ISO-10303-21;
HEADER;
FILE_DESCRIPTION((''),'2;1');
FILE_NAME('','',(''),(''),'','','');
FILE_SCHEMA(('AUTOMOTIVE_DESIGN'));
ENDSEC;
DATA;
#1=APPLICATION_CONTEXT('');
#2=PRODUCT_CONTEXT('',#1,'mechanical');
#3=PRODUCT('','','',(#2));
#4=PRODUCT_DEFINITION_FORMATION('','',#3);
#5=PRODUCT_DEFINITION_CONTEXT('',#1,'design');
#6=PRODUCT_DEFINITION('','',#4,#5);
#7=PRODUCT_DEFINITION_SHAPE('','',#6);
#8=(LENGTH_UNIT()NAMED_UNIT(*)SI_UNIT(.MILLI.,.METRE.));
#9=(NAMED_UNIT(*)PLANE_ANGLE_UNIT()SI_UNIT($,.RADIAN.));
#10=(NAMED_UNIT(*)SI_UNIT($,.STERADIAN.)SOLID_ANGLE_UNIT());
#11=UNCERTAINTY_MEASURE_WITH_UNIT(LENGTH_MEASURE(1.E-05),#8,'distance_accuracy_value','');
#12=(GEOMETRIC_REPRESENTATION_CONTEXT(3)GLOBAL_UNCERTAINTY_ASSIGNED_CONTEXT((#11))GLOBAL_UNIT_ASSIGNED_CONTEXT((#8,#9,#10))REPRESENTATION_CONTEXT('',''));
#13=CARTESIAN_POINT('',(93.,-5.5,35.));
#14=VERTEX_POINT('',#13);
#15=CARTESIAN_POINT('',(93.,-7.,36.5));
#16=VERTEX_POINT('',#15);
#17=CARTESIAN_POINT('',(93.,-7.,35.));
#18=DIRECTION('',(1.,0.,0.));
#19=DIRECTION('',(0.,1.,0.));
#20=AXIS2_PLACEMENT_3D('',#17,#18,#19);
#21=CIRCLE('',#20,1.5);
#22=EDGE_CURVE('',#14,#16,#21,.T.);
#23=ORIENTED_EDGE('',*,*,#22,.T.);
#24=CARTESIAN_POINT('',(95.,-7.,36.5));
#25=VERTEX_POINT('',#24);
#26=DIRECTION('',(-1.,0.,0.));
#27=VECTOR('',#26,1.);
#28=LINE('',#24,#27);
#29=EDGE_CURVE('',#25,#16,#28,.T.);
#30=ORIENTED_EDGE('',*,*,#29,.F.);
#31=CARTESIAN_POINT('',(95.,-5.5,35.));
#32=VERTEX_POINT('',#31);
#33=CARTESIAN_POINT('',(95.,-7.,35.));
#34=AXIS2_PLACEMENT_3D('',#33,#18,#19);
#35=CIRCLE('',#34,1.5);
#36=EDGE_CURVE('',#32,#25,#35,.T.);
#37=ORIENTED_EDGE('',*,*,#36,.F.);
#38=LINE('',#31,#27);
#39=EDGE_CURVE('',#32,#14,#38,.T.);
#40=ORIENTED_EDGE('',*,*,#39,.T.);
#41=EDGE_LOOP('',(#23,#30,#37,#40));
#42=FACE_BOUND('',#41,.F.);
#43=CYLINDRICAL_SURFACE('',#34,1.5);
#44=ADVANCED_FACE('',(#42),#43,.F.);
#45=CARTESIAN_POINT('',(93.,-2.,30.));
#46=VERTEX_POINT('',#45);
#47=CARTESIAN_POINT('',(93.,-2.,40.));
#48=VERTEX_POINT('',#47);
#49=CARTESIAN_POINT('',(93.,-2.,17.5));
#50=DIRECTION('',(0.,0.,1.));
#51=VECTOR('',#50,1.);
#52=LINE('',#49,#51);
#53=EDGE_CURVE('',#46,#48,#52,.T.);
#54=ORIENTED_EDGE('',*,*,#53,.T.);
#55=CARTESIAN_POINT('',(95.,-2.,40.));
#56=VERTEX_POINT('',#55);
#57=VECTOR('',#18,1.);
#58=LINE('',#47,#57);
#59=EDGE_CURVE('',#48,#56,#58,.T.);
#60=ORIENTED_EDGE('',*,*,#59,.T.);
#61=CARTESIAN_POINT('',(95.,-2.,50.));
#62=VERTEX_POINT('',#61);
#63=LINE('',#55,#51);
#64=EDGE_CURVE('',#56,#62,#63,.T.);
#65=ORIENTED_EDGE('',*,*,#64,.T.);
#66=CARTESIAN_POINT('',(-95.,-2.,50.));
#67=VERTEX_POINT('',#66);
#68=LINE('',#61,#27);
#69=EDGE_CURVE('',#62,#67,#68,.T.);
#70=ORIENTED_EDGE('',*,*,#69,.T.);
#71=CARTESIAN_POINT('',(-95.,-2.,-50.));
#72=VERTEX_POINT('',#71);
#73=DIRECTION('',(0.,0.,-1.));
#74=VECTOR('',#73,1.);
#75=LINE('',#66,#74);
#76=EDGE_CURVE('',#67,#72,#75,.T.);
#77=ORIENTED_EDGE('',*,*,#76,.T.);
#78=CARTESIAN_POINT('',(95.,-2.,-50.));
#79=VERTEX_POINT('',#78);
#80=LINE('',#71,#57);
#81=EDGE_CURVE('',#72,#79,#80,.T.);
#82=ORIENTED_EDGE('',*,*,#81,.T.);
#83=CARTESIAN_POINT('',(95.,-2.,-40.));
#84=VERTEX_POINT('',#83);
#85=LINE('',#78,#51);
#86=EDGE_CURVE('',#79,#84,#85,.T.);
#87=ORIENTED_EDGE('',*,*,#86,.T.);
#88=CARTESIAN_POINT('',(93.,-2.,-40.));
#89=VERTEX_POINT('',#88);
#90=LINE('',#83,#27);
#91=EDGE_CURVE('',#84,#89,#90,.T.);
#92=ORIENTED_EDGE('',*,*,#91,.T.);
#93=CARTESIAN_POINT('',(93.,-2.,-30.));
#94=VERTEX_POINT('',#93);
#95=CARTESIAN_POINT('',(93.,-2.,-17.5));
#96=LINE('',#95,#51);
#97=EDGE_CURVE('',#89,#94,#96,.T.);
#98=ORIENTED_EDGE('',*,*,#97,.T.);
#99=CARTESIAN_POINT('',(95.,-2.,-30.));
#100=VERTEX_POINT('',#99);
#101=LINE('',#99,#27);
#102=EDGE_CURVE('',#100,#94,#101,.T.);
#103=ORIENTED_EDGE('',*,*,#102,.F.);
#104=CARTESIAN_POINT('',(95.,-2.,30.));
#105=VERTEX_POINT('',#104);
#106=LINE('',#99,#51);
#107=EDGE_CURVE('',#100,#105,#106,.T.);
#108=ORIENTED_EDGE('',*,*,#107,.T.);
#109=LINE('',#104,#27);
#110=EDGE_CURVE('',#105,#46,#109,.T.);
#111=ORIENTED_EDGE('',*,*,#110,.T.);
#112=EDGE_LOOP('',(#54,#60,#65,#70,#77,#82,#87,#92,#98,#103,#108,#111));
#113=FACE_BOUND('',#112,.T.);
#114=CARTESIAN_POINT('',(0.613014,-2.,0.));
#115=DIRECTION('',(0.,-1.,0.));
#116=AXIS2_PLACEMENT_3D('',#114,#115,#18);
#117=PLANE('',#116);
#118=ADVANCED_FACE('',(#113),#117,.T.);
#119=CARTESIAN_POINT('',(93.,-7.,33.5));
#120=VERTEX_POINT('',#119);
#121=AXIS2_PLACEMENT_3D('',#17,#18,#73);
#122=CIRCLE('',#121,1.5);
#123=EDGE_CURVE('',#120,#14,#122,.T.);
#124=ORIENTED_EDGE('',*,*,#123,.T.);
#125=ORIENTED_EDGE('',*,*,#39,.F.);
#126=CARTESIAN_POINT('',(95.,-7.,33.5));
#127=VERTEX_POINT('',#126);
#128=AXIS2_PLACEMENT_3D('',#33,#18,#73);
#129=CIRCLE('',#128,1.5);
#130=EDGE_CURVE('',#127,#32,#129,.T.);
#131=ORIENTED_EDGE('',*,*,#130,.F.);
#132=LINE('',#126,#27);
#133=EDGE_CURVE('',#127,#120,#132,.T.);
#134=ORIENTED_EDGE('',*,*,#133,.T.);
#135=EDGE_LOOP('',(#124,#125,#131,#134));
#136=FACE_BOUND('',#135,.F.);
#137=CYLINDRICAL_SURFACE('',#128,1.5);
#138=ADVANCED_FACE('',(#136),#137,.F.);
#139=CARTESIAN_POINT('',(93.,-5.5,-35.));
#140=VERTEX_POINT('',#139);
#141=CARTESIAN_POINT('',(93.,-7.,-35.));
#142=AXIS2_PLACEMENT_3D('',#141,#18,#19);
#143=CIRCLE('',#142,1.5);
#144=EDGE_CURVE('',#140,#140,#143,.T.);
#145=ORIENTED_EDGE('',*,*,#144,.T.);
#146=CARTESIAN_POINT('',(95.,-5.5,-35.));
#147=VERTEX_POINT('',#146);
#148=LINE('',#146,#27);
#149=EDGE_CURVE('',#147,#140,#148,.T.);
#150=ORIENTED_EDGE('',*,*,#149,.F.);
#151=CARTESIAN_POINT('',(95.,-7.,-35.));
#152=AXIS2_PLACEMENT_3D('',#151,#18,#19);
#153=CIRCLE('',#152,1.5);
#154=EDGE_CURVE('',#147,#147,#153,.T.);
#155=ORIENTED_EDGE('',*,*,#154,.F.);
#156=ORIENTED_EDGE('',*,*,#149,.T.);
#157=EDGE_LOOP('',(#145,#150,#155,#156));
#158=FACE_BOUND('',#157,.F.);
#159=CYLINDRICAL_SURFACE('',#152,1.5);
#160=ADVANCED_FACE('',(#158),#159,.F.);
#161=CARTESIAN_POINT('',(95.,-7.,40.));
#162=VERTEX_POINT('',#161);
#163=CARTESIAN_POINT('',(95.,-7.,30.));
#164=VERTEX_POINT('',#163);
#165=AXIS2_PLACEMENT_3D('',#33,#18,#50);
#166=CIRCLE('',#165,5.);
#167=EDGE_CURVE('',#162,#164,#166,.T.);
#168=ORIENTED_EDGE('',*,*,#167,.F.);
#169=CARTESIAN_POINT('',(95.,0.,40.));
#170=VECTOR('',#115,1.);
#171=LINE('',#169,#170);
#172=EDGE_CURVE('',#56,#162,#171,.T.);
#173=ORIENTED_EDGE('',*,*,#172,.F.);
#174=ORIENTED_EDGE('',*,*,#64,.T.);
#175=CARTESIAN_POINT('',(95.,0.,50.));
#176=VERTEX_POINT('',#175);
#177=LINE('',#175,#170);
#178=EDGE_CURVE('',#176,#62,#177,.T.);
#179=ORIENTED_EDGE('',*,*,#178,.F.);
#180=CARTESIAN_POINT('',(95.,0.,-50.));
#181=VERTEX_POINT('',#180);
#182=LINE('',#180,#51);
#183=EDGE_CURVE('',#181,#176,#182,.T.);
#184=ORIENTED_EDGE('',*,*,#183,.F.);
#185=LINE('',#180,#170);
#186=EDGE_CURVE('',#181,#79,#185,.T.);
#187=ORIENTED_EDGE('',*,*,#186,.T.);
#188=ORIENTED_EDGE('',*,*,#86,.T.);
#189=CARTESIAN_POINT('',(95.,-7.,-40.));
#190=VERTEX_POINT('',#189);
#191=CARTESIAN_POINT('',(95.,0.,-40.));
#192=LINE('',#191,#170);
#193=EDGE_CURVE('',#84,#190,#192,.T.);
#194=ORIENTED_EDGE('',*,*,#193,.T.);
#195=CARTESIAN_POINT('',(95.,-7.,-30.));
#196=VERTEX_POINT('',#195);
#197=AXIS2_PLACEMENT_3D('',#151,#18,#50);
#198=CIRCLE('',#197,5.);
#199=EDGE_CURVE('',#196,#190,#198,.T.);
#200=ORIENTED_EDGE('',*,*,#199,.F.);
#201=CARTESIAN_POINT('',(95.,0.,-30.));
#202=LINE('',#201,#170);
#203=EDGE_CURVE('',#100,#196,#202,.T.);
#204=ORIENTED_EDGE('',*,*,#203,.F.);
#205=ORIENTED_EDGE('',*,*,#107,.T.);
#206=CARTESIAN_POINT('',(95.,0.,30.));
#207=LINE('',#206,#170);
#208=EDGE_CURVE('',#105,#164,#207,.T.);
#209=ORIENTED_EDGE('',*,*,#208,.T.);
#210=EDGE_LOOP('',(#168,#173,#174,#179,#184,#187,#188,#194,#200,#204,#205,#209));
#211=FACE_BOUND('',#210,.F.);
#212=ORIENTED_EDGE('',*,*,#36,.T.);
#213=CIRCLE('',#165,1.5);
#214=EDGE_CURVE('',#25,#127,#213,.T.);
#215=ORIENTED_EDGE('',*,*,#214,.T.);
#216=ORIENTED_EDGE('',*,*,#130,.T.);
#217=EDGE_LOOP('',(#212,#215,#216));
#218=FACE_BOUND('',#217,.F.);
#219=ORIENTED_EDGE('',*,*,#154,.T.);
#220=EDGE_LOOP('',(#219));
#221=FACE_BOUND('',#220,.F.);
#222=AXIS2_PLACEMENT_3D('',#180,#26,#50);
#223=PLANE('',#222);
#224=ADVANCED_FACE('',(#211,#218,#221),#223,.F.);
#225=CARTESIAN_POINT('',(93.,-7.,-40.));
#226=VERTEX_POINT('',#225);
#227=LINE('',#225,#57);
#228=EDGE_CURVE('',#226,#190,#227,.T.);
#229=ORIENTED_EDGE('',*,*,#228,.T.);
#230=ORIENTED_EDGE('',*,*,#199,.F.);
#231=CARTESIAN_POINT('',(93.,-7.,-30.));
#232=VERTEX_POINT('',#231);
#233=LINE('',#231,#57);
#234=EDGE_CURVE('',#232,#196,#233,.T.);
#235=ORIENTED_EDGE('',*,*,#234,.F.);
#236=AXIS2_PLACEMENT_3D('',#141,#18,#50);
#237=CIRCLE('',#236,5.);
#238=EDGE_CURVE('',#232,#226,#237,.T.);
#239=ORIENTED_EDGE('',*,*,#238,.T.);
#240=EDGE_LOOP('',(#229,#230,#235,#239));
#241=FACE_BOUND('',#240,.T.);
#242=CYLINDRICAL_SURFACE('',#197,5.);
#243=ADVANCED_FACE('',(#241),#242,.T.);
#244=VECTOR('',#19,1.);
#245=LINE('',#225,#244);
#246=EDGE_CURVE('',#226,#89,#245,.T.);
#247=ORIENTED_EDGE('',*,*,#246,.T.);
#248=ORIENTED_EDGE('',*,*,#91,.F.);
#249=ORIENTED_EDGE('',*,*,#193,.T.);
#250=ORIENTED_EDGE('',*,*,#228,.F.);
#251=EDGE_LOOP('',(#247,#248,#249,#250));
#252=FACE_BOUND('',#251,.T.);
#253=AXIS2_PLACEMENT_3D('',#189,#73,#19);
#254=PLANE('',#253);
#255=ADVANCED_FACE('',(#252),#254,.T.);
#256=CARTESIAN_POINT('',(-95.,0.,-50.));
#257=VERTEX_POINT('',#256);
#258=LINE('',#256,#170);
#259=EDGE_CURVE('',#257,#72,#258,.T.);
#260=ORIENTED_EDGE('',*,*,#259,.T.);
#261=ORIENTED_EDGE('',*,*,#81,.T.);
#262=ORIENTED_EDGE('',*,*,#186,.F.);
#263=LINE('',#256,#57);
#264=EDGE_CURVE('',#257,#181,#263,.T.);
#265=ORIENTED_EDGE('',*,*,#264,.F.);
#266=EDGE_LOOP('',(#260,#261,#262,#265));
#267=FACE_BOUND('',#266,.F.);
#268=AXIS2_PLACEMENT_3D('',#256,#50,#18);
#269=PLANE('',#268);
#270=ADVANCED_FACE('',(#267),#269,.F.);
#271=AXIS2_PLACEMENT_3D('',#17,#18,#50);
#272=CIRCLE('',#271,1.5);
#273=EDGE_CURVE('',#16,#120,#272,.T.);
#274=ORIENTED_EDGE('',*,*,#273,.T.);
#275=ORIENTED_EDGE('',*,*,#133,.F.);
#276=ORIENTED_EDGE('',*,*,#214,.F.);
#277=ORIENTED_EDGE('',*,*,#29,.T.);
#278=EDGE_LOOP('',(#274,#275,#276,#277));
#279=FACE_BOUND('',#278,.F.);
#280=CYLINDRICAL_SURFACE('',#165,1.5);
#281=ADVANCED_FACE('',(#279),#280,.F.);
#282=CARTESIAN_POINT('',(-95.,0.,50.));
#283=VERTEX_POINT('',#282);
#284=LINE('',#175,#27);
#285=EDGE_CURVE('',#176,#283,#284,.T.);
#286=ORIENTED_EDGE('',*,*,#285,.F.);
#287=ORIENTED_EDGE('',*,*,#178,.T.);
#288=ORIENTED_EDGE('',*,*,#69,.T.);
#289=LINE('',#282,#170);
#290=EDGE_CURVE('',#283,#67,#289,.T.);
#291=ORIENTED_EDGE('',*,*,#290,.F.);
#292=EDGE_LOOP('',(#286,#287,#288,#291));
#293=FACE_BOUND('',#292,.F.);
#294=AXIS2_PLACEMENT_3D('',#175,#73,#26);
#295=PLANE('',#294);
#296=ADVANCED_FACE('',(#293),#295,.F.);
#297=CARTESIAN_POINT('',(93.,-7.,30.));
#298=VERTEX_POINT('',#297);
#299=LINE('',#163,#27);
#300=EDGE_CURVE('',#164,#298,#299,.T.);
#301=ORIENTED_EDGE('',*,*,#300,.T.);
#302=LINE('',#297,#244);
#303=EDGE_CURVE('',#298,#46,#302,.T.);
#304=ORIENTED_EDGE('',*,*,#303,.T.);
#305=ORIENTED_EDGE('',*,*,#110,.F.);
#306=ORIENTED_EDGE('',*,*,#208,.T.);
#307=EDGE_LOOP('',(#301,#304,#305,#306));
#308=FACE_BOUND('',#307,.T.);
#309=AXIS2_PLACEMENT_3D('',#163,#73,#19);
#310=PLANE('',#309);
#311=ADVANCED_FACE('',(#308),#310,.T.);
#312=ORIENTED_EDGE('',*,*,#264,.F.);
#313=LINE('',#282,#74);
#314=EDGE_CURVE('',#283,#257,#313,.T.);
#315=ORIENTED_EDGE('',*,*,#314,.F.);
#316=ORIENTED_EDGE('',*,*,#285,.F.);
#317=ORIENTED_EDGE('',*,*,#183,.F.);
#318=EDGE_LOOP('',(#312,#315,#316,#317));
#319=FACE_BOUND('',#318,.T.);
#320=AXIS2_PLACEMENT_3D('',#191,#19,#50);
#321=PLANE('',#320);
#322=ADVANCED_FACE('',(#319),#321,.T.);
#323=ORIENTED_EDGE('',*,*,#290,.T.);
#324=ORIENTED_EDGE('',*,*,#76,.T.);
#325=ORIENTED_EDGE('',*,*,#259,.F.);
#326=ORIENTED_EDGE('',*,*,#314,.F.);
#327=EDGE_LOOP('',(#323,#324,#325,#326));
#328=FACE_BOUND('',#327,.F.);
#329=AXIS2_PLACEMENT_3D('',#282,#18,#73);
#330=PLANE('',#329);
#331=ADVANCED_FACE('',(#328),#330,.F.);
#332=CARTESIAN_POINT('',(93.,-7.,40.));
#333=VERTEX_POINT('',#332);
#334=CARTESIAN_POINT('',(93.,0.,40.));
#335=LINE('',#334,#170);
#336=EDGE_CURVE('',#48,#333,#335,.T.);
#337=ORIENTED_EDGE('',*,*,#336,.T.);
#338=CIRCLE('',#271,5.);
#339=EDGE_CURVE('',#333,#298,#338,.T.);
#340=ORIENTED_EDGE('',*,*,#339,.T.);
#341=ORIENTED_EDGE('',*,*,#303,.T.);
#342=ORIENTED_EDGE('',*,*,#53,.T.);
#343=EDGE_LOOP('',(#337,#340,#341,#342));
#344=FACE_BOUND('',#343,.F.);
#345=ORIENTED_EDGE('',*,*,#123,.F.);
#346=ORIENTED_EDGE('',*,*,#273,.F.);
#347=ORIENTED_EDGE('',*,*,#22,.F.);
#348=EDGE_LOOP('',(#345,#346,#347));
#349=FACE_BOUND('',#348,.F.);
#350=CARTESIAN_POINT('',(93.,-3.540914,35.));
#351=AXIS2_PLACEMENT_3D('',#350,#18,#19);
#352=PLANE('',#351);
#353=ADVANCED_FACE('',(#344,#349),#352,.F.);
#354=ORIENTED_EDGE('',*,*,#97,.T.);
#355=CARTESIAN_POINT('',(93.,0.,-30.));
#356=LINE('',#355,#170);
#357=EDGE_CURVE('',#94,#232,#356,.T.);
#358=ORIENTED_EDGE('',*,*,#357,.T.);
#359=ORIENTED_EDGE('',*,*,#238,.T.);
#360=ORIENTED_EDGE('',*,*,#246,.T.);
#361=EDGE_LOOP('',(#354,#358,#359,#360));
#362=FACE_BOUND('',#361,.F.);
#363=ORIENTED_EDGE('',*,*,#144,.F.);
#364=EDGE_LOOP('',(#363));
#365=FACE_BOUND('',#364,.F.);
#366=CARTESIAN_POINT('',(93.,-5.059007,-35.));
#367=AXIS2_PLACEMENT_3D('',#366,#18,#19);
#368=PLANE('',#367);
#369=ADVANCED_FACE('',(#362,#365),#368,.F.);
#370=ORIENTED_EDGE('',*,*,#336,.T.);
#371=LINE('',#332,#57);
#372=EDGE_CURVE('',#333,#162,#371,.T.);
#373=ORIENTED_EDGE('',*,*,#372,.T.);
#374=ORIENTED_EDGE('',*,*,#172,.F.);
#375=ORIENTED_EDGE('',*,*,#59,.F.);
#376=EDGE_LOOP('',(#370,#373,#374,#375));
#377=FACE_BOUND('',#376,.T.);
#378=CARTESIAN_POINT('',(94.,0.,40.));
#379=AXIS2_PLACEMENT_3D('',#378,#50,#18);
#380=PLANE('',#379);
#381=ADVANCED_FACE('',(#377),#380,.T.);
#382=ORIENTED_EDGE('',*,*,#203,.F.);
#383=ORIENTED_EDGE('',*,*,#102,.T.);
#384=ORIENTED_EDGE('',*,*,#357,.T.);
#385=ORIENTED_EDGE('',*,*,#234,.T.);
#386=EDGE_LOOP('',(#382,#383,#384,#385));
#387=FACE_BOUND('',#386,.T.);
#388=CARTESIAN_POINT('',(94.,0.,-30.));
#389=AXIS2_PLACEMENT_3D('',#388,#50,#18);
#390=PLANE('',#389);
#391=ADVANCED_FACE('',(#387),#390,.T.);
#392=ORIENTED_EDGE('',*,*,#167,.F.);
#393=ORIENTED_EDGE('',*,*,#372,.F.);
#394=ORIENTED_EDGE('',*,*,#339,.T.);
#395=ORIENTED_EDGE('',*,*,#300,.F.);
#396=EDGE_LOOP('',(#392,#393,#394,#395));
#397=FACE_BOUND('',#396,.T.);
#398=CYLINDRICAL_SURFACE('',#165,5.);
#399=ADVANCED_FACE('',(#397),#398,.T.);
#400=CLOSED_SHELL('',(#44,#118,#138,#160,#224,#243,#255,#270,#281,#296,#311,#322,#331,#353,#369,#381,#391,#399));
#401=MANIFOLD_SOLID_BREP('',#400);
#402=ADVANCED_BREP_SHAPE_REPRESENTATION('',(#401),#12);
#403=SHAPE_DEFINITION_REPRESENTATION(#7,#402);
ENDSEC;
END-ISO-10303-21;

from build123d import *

# Parameters (mm, degrees)
F1_DEPTH = 2
F0_W     = 1
F0_H     = 10
F2_DEPTH = 7
F3_R     = 1.5
F4_DEPTH = 2
F5_DEPTH = 25


with BuildPart() as f1:
    # F0 (on Front) → F1 (new body)
    with BuildSketch(Plane.XZ):
        Polygon((-95, -50), (95, -50), (95, -40), (94, -40), (94, -30), (95, -30), (95, 30), (94, 30), (94, 40), (95, 40), (95, 50), (-95, 50), align=None)
    extrude(amount=F1_DEPTH)



with BuildPart() as f2:
    # F0 (on Front) → F2 (new body)
    with BuildSketch(Plane.XZ):
        with Locations((94.5, 35)):
            Rectangle(F0_W, F0_H)
    extrude(amount=F2_DEPTH)


with BuildPart() as f2b:
    # F0 (on Front) → F2, piece 2 (new body)
    with BuildSketch(Plane.XZ):
        with Locations((94.5, -35)):
            Rectangle(F0_W, F0_H)
    extrude(amount=F2_DEPTH)


with BuildPart() as f1_1:
    add(f1.part)

    add(f2.part)  # F4 merges F2

    add(f2b.part)  # F4 merges F2b
    # F3 (on face) → F4 (join)
    with BuildSketch(Plane.YZ.offset(95)):
        with BuildLine():
            Line((0, -30), (-7, -30))
            ThreePointArc((-7, -30), (-12, -35), (-7, -40))
            Line((-7, -40), (0, -40))
            Line((0, -40), (0, -30))
        make_face()
        with Locations((-7, -35)):
            Circle(F3_R, mode=Mode.SUBTRACT)
        with BuildLine():
            Line((0, 40), (-7, 40))
            Line((-7, 40), (-7, 36.5))
            ThreePointArc((-7, 36.5), (-5.9393398282, 36.0606601718), (-5.5, 35))
            ThreePointArc((-5.5, 35), (-5.9393398282, 33.9393398282), (-7, 33.5))
            Line((-7, 33.5), (-7, 30))
            Line((-7, 30), (0, 30))
            Line((0, 30), (0, 40))
        make_face()
        with Locations((-7, -35)):
            Circle(F3_R)
        with BuildLine():
            Line((-7, 36.5), (-7, 40))
            ThreePointArc((-7, 40), (-12, 35), (-7, 30))
            Line((-7, 30), (-7, 33.5))
            ThreePointArc((-7, 33.5), (-8.5, 35), (-7, 36.5))
        make_face()
        with BuildLine():
            ThreePointArc((-5.5, 35), (-5.9393398282, 36.0606601718), (-7, 36.5))
            Line((-7, 36.5), (-7, 33.5))
            ThreePointArc((-7, 33.5), (-5.9393398282, 33.9393398282), (-5.5, 35))
        make_face()
        with BuildLine():
            Line((-7, 33.5), (-7, 36.5))
            ThreePointArc((-7, 36.5), (-8.5, 35), (-7, 33.5))
        make_face()
    extrude(amount=-F4_DEPTH)

    # F3 (on face) → F5 (cut)
    with BuildSketch(Plane.YZ.offset(95)):
        with Locations((-7, -35)):
            Circle(F3_R)
        with BuildLine():
            Line((-7, 33.5), (-7, 36.5))
            ThreePointArc((-7, 36.5), (-8.5, 35), (-7, 33.5))
        make_face()
        with BuildLine():
            ThreePointArc((-5.5, 35), (-5.9393398282, 36.0606601718), (-7, 36.5))
            Line((-7, 36.5), (-7, 33.5))
            ThreePointArc((-7, 33.5), (-5.9393398282, 33.9393398282), (-5.5, 35))
        make_face()
    extrude(amount=-F5_DEPTH, mode=Mode.SUBTRACT)


solid = f1_1.part
